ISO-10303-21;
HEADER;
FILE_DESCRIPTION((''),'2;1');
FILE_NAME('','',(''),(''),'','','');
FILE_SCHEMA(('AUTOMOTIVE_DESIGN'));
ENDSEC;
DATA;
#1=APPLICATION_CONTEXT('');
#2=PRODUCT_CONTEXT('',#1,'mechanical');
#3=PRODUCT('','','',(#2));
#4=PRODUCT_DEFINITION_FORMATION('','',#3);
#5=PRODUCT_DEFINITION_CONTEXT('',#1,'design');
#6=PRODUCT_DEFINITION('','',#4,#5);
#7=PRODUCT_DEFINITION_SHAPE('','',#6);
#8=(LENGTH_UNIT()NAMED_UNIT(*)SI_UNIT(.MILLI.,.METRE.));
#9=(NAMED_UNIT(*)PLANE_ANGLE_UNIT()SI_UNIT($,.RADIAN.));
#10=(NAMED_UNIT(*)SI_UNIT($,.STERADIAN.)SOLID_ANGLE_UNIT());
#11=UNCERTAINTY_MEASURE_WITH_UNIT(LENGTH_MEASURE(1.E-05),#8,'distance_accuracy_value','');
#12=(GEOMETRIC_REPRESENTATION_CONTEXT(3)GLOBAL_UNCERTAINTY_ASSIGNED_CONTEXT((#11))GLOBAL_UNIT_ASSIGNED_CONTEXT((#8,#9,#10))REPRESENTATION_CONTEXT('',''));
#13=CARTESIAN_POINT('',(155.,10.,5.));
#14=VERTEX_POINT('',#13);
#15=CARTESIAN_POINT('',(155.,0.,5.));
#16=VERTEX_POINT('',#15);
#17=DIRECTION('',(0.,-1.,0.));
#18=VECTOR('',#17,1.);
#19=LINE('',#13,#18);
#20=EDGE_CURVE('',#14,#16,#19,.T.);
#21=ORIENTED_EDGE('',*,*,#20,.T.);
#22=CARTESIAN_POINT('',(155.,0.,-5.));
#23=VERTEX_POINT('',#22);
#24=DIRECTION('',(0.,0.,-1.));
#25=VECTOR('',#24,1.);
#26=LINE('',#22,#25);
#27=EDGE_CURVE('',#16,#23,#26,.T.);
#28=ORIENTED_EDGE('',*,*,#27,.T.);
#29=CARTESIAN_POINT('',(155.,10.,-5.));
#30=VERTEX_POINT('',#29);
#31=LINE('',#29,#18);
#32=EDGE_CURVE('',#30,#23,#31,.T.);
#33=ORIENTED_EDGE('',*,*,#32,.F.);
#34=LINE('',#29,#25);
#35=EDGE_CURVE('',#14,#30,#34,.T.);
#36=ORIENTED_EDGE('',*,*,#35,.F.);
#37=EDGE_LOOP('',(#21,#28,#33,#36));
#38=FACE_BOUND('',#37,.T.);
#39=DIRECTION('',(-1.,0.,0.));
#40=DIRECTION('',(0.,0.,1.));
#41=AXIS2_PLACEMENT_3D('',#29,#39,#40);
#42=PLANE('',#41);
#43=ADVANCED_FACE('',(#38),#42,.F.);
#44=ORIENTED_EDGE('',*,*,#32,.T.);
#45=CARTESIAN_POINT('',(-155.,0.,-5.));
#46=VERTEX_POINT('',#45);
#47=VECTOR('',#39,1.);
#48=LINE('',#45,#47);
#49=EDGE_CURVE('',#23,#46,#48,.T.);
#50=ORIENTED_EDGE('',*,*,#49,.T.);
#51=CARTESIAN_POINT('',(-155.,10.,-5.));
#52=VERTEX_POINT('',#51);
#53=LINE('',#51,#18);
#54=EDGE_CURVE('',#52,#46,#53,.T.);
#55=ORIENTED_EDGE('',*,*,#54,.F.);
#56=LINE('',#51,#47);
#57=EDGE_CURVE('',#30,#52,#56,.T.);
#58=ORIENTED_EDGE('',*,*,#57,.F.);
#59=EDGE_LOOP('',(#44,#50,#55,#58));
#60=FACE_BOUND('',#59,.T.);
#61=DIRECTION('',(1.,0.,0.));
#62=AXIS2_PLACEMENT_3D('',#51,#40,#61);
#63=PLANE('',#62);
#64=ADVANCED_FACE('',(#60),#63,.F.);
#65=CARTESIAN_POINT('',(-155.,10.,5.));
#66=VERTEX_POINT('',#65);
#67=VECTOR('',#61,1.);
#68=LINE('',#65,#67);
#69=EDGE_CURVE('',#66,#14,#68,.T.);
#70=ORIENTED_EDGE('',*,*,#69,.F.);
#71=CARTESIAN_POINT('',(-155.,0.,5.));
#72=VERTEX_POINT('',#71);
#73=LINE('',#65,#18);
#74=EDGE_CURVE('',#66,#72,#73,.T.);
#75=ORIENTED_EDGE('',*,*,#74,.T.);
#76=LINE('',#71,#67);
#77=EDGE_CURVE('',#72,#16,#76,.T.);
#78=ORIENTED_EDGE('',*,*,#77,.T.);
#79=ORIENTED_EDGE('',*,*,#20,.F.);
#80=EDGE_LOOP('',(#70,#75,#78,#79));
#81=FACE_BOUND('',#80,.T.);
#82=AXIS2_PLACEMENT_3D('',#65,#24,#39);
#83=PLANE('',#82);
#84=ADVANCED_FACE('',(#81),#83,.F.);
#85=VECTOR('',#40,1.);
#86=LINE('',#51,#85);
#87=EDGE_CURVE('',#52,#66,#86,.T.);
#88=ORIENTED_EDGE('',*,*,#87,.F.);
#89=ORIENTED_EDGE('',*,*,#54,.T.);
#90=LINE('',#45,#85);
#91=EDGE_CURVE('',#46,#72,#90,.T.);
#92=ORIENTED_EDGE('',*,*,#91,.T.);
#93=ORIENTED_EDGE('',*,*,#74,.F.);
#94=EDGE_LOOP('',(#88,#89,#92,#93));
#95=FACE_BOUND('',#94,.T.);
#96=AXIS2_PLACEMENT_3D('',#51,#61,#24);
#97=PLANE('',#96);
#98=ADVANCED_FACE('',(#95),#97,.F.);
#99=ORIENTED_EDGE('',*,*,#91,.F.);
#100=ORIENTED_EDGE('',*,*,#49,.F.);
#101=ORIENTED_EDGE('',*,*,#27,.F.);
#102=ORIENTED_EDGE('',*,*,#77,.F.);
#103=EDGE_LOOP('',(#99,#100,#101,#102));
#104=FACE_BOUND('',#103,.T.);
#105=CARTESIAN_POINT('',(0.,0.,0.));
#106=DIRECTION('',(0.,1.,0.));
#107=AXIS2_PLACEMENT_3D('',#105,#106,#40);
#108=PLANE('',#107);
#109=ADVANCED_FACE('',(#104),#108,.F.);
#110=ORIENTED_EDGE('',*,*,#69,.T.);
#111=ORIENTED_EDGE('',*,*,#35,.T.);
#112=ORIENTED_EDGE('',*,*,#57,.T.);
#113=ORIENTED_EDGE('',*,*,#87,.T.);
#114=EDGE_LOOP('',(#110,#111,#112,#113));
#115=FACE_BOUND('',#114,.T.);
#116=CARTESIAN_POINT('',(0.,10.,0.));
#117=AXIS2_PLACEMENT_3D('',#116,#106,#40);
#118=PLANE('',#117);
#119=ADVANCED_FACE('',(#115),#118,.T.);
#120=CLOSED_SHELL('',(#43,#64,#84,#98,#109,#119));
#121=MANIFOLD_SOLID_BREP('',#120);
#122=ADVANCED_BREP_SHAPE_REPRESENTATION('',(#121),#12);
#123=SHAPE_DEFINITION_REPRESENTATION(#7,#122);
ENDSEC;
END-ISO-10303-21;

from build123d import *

# Parameters (mm, degrees)
SKETCH1_W           = 310
SKETCH1_H           = 10
BOSS_EXTRUDE1_DEPTH = 10


with BuildPart() as part:
    # Sketch1 → Boss-Extrude1 (new body)
    with BuildSketch(Plane(origin=(0, 0, 0), x_dir=(1, 0, 0), z_dir=(0, 1, 0))):
        Rectangle(SKETCH1_W, SKETCH1_H)
    extrude(amount=BOSS_EXTRUDE1_DEPTH)


solid = part.part
